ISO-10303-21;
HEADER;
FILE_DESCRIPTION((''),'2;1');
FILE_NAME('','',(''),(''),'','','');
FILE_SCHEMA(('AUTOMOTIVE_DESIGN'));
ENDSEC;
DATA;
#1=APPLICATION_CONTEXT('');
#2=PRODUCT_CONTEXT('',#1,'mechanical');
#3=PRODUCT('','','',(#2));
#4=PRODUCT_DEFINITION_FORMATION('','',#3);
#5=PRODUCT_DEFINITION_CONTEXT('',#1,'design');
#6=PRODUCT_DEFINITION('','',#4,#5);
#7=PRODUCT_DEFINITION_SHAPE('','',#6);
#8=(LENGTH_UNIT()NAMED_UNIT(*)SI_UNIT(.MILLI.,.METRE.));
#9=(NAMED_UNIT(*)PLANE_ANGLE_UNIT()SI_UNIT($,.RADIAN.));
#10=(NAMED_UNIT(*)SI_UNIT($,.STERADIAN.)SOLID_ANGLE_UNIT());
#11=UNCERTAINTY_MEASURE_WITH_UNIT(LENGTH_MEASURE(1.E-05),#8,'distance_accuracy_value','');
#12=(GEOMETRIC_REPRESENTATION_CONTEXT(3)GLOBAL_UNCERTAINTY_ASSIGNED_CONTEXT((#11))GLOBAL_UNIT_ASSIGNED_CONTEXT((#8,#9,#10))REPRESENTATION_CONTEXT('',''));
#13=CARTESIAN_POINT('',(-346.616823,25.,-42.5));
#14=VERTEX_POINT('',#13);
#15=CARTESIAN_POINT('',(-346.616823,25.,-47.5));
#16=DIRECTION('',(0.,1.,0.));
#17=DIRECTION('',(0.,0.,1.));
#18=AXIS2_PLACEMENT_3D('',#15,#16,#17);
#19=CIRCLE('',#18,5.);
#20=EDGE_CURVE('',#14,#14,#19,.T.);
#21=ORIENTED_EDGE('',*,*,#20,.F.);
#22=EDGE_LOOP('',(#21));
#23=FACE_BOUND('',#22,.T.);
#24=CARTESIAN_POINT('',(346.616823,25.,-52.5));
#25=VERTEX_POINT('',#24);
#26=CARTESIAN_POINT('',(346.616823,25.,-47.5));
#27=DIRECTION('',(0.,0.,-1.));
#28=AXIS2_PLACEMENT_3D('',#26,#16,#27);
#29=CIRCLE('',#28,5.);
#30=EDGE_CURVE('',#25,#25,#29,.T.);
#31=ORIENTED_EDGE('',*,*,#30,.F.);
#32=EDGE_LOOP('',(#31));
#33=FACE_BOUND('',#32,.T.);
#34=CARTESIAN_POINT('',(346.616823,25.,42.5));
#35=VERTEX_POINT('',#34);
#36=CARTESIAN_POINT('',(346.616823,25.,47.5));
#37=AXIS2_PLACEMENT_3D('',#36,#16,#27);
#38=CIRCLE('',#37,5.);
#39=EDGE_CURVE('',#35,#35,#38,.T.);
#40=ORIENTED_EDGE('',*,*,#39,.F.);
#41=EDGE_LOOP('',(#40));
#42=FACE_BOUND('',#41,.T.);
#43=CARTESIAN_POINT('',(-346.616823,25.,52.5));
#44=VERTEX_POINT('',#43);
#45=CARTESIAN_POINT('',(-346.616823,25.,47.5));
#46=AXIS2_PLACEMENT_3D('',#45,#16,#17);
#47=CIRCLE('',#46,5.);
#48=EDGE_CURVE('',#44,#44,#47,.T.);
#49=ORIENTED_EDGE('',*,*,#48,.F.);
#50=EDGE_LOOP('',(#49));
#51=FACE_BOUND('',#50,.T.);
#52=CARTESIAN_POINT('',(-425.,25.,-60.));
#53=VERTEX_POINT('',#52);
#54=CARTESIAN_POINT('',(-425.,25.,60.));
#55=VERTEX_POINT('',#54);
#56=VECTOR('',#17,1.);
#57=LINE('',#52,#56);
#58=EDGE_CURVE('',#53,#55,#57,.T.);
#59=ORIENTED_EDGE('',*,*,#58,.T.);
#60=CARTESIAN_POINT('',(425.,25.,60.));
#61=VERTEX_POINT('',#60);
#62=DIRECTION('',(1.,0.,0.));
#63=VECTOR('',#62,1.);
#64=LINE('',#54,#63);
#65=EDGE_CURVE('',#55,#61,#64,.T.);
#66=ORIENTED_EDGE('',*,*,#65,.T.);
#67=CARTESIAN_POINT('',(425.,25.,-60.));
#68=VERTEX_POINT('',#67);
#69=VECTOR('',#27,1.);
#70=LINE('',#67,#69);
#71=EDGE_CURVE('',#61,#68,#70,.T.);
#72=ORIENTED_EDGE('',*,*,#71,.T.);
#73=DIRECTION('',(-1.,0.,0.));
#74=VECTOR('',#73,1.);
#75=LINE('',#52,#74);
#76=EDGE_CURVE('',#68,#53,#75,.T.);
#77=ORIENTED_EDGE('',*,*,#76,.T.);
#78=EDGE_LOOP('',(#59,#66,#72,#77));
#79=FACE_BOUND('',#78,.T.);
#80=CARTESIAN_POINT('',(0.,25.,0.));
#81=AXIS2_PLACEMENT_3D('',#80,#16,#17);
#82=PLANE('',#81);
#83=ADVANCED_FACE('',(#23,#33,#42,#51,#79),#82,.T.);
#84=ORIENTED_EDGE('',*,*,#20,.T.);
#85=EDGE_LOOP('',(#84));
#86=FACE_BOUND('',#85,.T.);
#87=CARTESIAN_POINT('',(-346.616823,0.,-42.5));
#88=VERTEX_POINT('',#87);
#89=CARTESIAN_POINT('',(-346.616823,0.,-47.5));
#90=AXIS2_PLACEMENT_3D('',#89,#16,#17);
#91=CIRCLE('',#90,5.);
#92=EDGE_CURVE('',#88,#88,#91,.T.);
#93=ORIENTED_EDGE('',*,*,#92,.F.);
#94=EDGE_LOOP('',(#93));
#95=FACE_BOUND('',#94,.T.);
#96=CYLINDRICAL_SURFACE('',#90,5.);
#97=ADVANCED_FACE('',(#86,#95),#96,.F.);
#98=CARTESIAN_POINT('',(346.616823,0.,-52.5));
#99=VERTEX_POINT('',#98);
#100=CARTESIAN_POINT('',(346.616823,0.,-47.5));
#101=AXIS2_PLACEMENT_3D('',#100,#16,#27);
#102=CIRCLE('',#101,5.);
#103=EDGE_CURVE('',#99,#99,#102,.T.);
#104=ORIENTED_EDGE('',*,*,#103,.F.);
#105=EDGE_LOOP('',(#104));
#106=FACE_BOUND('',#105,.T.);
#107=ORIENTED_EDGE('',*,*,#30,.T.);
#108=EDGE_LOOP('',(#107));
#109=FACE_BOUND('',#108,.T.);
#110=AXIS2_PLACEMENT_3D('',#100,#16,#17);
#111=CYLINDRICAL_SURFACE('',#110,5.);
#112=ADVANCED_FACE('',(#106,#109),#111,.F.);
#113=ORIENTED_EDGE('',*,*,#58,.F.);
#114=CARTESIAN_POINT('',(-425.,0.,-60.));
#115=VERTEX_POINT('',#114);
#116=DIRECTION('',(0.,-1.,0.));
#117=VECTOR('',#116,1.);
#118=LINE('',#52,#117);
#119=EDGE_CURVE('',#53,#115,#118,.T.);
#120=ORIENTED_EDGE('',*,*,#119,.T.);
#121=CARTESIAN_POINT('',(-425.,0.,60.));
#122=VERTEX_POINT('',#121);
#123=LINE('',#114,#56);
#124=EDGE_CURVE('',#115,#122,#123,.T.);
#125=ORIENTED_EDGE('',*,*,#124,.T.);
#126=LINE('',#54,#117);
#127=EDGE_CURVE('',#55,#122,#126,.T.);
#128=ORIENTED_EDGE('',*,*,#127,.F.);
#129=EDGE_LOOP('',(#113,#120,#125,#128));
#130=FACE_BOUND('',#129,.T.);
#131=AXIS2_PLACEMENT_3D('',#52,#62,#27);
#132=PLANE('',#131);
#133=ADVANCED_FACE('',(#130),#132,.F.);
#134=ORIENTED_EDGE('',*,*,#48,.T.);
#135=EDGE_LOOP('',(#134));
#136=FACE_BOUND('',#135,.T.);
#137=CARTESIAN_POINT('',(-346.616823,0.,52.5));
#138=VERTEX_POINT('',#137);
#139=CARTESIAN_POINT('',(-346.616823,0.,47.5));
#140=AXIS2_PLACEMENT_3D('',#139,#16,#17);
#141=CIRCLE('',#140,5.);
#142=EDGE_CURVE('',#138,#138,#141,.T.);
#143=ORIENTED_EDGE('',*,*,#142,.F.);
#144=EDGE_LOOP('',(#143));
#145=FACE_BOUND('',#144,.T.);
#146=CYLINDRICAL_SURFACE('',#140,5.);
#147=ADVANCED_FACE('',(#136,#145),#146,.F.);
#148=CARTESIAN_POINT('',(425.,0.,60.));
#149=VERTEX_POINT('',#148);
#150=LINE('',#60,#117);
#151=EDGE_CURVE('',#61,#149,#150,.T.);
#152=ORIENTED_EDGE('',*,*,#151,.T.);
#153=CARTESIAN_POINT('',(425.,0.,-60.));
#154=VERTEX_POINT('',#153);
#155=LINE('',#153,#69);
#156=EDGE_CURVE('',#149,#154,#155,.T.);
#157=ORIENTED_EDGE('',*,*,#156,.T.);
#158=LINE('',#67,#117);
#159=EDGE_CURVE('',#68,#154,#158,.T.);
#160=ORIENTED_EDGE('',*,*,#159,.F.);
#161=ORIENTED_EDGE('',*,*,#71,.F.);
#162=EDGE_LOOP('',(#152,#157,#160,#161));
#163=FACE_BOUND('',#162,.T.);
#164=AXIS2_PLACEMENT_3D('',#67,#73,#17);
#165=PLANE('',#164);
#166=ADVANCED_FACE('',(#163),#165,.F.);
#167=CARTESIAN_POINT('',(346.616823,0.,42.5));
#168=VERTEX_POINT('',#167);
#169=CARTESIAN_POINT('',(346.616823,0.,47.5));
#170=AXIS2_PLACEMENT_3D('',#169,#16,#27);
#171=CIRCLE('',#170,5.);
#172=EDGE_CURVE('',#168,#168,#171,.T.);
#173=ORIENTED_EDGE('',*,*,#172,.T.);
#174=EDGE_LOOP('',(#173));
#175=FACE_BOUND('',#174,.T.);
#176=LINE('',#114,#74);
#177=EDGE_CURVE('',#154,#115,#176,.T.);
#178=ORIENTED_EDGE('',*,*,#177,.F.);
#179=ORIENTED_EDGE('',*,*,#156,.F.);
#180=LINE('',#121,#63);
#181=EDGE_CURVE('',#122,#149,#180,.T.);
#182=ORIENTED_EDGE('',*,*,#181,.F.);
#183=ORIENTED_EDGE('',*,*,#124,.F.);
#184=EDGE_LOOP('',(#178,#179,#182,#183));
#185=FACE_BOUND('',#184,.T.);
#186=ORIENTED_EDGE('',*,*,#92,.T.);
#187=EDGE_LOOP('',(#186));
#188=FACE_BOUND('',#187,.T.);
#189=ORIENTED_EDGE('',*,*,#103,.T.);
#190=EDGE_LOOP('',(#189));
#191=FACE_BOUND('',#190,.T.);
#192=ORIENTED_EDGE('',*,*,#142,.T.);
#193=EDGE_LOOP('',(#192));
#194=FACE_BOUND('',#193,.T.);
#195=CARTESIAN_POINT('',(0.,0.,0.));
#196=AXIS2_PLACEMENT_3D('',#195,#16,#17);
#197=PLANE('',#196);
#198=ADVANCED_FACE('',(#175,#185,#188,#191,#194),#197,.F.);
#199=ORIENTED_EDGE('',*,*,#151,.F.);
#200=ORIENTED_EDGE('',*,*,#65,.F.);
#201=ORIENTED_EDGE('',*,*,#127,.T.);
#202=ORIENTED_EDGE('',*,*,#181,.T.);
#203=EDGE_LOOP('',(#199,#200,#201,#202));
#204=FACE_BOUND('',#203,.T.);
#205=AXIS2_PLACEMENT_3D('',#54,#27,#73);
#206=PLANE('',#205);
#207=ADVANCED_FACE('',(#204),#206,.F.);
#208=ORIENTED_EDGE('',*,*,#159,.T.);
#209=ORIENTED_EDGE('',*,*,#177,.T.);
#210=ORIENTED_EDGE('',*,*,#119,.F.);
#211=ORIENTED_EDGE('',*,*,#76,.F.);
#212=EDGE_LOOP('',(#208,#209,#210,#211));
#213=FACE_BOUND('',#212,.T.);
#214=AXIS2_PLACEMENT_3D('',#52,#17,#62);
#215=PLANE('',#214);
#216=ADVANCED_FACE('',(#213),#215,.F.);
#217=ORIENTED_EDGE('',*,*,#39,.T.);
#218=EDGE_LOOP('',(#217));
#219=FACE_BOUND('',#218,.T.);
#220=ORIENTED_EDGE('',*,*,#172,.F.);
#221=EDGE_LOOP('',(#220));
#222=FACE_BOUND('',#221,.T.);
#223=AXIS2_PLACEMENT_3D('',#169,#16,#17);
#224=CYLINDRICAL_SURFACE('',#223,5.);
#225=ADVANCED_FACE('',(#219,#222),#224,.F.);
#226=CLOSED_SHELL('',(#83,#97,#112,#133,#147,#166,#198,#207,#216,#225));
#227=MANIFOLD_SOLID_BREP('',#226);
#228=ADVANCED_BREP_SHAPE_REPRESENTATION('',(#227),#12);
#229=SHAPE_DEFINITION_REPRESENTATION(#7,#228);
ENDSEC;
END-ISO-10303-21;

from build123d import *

# Parameters (mm, degrees)
SKETCH1_W           = 850
SKETCH1_H           = 120
BOSS_EXTRUDE1_DEPTH = 25
SKETCH2_R           = 5
CUT_EXTRUDE1_DEPTH  = 25


with BuildPart() as part:
    # Sketch1 → Boss-Extrude1 (new body)
    with BuildSketch(Plane(origin=(0, 0, 0), x_dir=(1, 0, 0), z_dir=(0, 1, 0))):
        Rectangle(SKETCH1_W, SKETCH1_H)
    extrude(amount=BOSS_EXTRUDE1_DEPTH)

    # Sketch2 → Cut-Extrude1 (cut)
    with BuildSketch(Plane(origin=(0, 25, 0), x_dir=(1, 0, 0), z_dir=(0, 1, 0))):
        with Locations(Location((-346.616822539, 47.5, 0), (0, 0, 270))):
            Circle(SKETCH2_R)
        with Locations(Location((-346.616822539, -47.5, 0), (0, 0, 270))):
            Circle(SKETCH2_R)
        with Locations(Location((346.616822539, -47.5, 0), (0, 0, 90))):
            Circle(SKETCH2_R)
        with Locations(Location((346.616822539, 47.5, 0), (0, 0, 90))):
            Circle(SKETCH2_R)
    extrude(amount=-CUT_EXTRUDE1_DEPTH, mode=Mode.SUBTRACT)


solid = part.part
